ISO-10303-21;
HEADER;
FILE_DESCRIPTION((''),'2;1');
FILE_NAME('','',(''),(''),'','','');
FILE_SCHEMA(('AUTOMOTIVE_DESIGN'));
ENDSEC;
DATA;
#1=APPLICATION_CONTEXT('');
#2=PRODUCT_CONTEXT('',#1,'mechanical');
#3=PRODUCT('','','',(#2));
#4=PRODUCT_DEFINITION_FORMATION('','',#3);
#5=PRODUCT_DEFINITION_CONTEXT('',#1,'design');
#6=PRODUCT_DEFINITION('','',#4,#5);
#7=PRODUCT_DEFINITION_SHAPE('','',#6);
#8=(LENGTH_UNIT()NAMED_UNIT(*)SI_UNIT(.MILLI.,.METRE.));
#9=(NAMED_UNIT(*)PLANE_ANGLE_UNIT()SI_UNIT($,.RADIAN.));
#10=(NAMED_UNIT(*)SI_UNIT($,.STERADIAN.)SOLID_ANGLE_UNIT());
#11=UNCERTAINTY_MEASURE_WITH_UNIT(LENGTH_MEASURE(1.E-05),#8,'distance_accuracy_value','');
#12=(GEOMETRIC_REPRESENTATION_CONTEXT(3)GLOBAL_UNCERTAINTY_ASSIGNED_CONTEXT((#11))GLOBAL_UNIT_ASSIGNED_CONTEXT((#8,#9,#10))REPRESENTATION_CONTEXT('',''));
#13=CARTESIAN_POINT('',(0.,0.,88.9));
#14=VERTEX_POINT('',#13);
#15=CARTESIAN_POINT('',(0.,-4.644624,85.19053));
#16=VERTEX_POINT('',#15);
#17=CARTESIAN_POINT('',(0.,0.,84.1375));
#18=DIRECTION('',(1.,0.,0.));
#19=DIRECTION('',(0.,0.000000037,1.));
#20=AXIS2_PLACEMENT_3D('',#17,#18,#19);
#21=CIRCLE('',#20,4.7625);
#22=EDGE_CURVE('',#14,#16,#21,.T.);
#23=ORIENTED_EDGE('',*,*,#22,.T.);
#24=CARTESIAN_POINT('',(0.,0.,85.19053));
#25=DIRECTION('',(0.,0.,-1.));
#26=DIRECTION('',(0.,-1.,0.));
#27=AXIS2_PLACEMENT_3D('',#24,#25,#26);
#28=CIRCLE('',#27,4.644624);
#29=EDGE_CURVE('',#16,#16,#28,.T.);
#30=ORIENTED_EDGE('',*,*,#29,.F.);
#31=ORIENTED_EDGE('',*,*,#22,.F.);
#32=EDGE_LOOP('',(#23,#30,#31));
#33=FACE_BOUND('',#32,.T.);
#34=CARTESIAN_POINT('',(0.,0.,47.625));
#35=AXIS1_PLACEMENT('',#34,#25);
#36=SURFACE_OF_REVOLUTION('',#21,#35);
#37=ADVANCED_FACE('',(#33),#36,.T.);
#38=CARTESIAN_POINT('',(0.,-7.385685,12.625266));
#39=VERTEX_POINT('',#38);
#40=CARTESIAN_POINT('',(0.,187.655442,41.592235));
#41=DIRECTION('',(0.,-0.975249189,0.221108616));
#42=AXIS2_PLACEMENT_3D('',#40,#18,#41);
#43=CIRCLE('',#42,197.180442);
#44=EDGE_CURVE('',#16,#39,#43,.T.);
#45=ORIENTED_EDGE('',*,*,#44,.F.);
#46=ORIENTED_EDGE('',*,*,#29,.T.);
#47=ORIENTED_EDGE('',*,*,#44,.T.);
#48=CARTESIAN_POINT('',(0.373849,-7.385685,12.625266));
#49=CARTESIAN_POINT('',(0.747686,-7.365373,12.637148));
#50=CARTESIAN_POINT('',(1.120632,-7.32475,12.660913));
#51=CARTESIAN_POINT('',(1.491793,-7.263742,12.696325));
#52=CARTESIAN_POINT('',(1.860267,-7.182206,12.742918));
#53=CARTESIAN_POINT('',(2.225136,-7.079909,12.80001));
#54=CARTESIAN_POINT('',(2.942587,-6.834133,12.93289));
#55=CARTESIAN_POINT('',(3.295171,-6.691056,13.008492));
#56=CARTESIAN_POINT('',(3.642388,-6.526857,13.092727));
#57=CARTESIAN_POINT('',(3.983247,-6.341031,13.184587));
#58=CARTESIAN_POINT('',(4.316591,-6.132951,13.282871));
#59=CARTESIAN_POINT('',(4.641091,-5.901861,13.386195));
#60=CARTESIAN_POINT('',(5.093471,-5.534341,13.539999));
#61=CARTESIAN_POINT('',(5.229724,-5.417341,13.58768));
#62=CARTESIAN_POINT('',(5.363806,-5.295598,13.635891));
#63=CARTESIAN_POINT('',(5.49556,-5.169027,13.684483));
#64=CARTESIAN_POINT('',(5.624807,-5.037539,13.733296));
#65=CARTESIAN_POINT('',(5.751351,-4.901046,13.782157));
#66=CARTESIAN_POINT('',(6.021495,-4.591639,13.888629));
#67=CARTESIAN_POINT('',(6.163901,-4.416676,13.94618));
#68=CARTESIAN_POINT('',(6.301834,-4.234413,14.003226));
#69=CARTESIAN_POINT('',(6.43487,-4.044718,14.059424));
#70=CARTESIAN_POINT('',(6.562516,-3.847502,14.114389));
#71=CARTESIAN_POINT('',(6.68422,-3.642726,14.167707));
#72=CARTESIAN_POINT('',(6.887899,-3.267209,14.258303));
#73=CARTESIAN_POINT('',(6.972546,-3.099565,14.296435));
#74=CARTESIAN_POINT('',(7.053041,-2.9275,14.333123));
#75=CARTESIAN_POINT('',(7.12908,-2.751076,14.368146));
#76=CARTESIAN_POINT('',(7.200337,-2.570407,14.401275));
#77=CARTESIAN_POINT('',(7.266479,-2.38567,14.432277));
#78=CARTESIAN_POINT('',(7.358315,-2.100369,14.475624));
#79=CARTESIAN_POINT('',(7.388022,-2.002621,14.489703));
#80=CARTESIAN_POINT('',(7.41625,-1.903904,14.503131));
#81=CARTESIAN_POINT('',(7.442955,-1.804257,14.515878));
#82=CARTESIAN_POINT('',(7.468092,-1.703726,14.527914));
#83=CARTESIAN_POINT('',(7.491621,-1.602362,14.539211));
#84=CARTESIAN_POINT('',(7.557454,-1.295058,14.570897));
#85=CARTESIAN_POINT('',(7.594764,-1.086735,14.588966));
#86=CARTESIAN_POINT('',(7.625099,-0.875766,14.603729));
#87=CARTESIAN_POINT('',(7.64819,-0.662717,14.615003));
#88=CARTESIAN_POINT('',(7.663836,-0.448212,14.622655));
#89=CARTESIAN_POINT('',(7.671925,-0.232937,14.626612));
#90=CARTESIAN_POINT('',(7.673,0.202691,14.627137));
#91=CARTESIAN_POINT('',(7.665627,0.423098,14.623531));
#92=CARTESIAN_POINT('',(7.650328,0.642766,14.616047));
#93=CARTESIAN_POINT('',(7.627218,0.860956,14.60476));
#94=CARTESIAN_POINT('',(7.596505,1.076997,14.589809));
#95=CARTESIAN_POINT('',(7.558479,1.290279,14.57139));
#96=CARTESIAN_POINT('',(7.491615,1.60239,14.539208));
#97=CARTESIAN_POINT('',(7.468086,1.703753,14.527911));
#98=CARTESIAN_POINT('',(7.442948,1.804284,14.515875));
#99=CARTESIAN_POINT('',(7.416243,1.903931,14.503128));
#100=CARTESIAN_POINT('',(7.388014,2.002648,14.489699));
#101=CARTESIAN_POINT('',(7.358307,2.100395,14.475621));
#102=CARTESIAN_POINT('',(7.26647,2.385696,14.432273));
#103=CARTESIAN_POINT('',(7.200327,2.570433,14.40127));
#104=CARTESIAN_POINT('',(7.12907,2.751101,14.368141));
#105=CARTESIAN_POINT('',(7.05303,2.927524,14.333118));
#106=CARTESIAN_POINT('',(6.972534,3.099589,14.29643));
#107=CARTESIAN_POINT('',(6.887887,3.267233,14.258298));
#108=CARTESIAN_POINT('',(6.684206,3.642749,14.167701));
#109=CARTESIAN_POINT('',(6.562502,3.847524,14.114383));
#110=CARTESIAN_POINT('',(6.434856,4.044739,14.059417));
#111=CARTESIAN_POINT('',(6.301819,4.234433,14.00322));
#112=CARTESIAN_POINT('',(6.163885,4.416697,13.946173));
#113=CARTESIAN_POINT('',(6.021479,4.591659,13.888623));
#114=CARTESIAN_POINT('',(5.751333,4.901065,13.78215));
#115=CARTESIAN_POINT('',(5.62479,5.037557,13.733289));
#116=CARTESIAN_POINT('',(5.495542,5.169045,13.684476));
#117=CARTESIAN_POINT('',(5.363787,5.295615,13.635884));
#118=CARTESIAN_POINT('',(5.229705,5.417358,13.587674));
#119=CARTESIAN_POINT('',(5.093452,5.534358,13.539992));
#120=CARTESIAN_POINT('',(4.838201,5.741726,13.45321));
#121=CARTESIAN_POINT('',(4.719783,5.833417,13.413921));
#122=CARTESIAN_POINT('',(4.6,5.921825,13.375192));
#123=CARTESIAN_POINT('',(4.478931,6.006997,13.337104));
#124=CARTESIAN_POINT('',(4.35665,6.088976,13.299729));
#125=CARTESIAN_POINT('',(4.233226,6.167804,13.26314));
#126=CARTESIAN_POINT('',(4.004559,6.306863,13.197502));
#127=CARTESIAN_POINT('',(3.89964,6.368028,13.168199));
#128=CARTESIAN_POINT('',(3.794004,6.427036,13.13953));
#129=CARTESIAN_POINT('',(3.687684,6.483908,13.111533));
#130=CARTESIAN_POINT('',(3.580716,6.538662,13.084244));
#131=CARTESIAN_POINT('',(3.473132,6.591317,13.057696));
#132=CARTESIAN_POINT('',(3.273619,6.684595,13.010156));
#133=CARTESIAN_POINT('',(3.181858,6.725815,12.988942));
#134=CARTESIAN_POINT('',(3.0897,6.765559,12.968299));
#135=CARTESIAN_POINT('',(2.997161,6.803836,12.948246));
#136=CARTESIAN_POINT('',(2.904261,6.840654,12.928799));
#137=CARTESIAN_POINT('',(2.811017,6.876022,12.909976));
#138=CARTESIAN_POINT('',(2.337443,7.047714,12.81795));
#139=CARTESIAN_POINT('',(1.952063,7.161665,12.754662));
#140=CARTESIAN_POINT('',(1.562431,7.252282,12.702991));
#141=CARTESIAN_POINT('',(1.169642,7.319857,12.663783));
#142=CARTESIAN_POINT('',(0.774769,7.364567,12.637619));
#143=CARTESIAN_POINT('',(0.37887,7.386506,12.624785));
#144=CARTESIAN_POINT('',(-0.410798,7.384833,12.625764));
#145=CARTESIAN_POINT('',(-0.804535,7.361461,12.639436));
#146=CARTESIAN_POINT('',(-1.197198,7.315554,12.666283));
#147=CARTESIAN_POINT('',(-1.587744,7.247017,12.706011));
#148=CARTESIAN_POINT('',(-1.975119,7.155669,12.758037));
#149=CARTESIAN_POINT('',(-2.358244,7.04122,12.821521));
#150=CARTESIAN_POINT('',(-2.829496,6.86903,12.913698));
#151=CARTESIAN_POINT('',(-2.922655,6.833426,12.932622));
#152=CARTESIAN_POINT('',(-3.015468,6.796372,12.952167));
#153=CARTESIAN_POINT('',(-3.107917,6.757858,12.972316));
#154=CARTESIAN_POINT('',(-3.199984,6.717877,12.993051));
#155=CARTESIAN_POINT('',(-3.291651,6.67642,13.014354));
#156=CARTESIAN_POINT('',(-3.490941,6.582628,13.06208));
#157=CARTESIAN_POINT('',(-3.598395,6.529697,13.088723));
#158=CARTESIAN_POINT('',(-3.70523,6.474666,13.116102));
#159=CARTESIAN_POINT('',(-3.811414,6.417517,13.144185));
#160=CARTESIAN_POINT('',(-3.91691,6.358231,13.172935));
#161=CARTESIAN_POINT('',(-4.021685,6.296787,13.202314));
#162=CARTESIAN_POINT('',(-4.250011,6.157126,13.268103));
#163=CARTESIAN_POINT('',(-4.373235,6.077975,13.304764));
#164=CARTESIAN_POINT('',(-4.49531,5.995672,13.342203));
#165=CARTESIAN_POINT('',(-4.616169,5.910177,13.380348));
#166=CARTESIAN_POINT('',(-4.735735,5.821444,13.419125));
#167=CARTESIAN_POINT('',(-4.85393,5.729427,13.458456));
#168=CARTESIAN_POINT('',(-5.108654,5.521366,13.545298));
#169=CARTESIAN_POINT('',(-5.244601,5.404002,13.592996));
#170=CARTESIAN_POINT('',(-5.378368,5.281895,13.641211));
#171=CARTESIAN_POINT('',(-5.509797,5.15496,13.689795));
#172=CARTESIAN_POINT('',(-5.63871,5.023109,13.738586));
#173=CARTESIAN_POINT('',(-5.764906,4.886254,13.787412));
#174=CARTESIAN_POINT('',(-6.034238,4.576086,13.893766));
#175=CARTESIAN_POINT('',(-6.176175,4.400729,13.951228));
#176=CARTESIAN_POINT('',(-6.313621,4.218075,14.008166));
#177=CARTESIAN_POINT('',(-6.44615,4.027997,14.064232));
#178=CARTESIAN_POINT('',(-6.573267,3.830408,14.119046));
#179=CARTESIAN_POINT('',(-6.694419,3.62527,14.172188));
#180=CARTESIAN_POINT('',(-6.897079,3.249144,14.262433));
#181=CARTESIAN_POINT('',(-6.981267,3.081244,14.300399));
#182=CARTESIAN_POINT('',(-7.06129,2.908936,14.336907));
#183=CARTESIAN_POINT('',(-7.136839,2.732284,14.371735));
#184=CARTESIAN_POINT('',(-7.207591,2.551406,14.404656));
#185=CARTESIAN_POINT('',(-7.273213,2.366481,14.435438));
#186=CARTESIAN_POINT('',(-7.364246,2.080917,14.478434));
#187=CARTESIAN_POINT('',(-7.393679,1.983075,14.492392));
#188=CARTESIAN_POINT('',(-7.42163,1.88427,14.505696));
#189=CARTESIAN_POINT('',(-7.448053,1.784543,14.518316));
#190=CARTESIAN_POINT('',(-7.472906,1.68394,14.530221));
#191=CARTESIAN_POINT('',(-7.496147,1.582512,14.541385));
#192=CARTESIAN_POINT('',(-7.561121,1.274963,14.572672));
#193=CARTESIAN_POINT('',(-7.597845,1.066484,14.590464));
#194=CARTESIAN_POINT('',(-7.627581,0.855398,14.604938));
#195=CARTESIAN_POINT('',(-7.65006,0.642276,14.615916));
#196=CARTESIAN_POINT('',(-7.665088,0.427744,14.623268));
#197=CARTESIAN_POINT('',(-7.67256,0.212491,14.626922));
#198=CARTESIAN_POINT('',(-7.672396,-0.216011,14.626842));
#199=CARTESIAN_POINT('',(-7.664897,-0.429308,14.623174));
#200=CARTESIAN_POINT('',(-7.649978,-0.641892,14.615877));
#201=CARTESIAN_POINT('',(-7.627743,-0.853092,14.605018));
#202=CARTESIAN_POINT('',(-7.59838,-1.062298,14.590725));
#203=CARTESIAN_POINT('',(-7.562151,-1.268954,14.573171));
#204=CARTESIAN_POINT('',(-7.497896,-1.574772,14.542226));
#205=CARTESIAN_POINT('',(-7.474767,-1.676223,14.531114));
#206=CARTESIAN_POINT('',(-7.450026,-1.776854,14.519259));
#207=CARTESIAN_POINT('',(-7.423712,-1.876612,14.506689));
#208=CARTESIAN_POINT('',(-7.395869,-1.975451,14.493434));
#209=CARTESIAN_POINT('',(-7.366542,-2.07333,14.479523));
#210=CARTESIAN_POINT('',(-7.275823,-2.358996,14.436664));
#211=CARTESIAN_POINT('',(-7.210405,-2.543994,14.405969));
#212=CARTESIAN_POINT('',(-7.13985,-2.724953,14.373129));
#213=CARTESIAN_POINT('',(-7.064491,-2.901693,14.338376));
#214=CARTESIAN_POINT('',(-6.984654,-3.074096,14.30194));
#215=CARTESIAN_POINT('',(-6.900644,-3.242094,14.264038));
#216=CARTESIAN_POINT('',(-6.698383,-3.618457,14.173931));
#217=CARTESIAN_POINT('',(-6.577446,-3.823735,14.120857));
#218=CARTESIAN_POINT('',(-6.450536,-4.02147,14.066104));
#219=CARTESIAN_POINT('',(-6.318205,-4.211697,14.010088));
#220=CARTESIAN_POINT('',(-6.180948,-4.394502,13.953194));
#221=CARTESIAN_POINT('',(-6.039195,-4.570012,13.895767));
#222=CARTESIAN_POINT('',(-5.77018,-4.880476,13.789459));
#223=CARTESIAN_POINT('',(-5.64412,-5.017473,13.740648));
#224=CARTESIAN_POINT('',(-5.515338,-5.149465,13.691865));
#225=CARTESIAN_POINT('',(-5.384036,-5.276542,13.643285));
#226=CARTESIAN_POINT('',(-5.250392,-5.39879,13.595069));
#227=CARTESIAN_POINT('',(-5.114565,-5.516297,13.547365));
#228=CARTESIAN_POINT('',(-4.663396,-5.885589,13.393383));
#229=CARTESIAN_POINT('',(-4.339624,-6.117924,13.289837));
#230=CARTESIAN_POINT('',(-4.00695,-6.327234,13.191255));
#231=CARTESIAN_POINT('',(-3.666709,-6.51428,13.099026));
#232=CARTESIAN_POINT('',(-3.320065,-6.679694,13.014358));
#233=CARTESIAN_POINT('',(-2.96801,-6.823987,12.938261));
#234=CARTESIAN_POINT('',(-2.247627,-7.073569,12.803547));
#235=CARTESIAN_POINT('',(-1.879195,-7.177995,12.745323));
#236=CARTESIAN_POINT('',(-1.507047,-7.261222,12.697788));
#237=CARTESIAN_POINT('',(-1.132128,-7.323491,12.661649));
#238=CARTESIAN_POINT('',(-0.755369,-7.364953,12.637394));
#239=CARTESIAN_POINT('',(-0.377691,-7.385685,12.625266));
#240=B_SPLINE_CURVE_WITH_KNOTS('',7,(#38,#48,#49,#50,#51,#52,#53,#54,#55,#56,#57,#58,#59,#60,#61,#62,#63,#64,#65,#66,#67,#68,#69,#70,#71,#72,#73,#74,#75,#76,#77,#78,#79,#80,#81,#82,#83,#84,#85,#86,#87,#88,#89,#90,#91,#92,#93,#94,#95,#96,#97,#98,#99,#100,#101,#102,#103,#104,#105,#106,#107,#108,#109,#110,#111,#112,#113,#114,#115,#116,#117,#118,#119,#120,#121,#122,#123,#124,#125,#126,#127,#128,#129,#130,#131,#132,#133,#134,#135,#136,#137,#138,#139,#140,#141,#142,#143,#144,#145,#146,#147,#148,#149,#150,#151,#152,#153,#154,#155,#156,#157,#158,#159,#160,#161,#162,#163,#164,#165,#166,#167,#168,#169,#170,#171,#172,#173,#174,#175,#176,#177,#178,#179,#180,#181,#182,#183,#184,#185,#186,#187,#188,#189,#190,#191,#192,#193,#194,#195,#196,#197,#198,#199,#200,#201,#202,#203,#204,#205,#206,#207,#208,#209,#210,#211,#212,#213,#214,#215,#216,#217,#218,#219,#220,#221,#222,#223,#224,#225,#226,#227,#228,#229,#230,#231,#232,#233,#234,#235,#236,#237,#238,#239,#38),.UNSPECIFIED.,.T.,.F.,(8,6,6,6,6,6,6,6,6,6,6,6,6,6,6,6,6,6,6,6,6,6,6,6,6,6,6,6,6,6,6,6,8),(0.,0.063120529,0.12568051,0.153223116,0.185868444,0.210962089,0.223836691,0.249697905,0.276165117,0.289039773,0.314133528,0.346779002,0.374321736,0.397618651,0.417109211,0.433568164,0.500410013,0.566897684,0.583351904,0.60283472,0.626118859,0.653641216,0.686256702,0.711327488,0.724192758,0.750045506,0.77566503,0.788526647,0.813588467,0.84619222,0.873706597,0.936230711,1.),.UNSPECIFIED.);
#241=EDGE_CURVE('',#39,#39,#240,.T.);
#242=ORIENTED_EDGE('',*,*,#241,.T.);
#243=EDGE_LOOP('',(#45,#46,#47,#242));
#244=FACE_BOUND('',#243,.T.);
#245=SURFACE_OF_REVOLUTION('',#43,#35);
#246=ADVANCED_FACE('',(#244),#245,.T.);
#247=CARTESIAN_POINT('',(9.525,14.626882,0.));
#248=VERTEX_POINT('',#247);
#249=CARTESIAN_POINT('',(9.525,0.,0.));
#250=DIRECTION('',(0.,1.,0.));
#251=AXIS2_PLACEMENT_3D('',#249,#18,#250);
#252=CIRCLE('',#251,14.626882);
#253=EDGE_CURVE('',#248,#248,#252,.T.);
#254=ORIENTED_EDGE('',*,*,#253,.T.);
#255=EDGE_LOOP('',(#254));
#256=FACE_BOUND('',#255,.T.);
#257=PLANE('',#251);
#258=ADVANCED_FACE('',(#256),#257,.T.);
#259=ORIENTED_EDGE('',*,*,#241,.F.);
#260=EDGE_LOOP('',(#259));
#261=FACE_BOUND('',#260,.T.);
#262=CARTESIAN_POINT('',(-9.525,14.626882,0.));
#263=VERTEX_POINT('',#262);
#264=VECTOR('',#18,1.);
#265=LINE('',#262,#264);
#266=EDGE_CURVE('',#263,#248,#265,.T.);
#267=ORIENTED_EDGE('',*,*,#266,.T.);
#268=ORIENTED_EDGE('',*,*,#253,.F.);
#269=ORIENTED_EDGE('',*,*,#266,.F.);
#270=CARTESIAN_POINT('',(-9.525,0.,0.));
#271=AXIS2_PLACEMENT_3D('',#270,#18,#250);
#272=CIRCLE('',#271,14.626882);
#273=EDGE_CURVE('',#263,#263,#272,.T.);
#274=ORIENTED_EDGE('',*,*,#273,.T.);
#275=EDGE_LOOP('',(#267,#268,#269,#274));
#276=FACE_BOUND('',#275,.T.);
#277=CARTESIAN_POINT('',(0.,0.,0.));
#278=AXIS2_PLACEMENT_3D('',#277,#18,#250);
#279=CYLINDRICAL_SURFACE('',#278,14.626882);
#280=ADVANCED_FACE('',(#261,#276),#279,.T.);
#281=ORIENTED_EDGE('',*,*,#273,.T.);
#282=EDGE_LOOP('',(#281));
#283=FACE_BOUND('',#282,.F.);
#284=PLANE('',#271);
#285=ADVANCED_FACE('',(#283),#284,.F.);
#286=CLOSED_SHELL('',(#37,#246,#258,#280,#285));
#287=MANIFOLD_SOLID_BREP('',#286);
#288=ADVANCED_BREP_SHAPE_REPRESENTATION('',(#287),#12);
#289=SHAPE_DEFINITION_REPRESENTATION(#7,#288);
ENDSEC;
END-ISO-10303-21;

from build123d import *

# Parameters (mm, degrees)
F3_R     = 14.626882
F4_DEPTH = 9.525


with BuildPart() as f1:
    # F0 (on Right) → F1 (revolve)
    with BuildSketch(Plane.YZ):
        with BuildLine():
            ThreePointArc((0, 88.9), (-2.972066, 87.858821), (-4.644624, 85.19053))
            ThreePointArc((-4.644624, 85.19053), (-9.478887, 45.856389), (-6.35, 6.35))
            Line((-6.35, 6.35), (0, 6.35))
            Line((0, 6.35), (0, 88.9))
        make_face()
    revolve(axis=Axis((0, 0, 47.625), (0, 0, -1)))

    # F3 (on Right) → F4 (join, symmetric)
    with BuildSketch(Plane.YZ):
        Circle(F3_R)
    extrude(amount=F4_DEPTH, both=True)


solid = f1.part
